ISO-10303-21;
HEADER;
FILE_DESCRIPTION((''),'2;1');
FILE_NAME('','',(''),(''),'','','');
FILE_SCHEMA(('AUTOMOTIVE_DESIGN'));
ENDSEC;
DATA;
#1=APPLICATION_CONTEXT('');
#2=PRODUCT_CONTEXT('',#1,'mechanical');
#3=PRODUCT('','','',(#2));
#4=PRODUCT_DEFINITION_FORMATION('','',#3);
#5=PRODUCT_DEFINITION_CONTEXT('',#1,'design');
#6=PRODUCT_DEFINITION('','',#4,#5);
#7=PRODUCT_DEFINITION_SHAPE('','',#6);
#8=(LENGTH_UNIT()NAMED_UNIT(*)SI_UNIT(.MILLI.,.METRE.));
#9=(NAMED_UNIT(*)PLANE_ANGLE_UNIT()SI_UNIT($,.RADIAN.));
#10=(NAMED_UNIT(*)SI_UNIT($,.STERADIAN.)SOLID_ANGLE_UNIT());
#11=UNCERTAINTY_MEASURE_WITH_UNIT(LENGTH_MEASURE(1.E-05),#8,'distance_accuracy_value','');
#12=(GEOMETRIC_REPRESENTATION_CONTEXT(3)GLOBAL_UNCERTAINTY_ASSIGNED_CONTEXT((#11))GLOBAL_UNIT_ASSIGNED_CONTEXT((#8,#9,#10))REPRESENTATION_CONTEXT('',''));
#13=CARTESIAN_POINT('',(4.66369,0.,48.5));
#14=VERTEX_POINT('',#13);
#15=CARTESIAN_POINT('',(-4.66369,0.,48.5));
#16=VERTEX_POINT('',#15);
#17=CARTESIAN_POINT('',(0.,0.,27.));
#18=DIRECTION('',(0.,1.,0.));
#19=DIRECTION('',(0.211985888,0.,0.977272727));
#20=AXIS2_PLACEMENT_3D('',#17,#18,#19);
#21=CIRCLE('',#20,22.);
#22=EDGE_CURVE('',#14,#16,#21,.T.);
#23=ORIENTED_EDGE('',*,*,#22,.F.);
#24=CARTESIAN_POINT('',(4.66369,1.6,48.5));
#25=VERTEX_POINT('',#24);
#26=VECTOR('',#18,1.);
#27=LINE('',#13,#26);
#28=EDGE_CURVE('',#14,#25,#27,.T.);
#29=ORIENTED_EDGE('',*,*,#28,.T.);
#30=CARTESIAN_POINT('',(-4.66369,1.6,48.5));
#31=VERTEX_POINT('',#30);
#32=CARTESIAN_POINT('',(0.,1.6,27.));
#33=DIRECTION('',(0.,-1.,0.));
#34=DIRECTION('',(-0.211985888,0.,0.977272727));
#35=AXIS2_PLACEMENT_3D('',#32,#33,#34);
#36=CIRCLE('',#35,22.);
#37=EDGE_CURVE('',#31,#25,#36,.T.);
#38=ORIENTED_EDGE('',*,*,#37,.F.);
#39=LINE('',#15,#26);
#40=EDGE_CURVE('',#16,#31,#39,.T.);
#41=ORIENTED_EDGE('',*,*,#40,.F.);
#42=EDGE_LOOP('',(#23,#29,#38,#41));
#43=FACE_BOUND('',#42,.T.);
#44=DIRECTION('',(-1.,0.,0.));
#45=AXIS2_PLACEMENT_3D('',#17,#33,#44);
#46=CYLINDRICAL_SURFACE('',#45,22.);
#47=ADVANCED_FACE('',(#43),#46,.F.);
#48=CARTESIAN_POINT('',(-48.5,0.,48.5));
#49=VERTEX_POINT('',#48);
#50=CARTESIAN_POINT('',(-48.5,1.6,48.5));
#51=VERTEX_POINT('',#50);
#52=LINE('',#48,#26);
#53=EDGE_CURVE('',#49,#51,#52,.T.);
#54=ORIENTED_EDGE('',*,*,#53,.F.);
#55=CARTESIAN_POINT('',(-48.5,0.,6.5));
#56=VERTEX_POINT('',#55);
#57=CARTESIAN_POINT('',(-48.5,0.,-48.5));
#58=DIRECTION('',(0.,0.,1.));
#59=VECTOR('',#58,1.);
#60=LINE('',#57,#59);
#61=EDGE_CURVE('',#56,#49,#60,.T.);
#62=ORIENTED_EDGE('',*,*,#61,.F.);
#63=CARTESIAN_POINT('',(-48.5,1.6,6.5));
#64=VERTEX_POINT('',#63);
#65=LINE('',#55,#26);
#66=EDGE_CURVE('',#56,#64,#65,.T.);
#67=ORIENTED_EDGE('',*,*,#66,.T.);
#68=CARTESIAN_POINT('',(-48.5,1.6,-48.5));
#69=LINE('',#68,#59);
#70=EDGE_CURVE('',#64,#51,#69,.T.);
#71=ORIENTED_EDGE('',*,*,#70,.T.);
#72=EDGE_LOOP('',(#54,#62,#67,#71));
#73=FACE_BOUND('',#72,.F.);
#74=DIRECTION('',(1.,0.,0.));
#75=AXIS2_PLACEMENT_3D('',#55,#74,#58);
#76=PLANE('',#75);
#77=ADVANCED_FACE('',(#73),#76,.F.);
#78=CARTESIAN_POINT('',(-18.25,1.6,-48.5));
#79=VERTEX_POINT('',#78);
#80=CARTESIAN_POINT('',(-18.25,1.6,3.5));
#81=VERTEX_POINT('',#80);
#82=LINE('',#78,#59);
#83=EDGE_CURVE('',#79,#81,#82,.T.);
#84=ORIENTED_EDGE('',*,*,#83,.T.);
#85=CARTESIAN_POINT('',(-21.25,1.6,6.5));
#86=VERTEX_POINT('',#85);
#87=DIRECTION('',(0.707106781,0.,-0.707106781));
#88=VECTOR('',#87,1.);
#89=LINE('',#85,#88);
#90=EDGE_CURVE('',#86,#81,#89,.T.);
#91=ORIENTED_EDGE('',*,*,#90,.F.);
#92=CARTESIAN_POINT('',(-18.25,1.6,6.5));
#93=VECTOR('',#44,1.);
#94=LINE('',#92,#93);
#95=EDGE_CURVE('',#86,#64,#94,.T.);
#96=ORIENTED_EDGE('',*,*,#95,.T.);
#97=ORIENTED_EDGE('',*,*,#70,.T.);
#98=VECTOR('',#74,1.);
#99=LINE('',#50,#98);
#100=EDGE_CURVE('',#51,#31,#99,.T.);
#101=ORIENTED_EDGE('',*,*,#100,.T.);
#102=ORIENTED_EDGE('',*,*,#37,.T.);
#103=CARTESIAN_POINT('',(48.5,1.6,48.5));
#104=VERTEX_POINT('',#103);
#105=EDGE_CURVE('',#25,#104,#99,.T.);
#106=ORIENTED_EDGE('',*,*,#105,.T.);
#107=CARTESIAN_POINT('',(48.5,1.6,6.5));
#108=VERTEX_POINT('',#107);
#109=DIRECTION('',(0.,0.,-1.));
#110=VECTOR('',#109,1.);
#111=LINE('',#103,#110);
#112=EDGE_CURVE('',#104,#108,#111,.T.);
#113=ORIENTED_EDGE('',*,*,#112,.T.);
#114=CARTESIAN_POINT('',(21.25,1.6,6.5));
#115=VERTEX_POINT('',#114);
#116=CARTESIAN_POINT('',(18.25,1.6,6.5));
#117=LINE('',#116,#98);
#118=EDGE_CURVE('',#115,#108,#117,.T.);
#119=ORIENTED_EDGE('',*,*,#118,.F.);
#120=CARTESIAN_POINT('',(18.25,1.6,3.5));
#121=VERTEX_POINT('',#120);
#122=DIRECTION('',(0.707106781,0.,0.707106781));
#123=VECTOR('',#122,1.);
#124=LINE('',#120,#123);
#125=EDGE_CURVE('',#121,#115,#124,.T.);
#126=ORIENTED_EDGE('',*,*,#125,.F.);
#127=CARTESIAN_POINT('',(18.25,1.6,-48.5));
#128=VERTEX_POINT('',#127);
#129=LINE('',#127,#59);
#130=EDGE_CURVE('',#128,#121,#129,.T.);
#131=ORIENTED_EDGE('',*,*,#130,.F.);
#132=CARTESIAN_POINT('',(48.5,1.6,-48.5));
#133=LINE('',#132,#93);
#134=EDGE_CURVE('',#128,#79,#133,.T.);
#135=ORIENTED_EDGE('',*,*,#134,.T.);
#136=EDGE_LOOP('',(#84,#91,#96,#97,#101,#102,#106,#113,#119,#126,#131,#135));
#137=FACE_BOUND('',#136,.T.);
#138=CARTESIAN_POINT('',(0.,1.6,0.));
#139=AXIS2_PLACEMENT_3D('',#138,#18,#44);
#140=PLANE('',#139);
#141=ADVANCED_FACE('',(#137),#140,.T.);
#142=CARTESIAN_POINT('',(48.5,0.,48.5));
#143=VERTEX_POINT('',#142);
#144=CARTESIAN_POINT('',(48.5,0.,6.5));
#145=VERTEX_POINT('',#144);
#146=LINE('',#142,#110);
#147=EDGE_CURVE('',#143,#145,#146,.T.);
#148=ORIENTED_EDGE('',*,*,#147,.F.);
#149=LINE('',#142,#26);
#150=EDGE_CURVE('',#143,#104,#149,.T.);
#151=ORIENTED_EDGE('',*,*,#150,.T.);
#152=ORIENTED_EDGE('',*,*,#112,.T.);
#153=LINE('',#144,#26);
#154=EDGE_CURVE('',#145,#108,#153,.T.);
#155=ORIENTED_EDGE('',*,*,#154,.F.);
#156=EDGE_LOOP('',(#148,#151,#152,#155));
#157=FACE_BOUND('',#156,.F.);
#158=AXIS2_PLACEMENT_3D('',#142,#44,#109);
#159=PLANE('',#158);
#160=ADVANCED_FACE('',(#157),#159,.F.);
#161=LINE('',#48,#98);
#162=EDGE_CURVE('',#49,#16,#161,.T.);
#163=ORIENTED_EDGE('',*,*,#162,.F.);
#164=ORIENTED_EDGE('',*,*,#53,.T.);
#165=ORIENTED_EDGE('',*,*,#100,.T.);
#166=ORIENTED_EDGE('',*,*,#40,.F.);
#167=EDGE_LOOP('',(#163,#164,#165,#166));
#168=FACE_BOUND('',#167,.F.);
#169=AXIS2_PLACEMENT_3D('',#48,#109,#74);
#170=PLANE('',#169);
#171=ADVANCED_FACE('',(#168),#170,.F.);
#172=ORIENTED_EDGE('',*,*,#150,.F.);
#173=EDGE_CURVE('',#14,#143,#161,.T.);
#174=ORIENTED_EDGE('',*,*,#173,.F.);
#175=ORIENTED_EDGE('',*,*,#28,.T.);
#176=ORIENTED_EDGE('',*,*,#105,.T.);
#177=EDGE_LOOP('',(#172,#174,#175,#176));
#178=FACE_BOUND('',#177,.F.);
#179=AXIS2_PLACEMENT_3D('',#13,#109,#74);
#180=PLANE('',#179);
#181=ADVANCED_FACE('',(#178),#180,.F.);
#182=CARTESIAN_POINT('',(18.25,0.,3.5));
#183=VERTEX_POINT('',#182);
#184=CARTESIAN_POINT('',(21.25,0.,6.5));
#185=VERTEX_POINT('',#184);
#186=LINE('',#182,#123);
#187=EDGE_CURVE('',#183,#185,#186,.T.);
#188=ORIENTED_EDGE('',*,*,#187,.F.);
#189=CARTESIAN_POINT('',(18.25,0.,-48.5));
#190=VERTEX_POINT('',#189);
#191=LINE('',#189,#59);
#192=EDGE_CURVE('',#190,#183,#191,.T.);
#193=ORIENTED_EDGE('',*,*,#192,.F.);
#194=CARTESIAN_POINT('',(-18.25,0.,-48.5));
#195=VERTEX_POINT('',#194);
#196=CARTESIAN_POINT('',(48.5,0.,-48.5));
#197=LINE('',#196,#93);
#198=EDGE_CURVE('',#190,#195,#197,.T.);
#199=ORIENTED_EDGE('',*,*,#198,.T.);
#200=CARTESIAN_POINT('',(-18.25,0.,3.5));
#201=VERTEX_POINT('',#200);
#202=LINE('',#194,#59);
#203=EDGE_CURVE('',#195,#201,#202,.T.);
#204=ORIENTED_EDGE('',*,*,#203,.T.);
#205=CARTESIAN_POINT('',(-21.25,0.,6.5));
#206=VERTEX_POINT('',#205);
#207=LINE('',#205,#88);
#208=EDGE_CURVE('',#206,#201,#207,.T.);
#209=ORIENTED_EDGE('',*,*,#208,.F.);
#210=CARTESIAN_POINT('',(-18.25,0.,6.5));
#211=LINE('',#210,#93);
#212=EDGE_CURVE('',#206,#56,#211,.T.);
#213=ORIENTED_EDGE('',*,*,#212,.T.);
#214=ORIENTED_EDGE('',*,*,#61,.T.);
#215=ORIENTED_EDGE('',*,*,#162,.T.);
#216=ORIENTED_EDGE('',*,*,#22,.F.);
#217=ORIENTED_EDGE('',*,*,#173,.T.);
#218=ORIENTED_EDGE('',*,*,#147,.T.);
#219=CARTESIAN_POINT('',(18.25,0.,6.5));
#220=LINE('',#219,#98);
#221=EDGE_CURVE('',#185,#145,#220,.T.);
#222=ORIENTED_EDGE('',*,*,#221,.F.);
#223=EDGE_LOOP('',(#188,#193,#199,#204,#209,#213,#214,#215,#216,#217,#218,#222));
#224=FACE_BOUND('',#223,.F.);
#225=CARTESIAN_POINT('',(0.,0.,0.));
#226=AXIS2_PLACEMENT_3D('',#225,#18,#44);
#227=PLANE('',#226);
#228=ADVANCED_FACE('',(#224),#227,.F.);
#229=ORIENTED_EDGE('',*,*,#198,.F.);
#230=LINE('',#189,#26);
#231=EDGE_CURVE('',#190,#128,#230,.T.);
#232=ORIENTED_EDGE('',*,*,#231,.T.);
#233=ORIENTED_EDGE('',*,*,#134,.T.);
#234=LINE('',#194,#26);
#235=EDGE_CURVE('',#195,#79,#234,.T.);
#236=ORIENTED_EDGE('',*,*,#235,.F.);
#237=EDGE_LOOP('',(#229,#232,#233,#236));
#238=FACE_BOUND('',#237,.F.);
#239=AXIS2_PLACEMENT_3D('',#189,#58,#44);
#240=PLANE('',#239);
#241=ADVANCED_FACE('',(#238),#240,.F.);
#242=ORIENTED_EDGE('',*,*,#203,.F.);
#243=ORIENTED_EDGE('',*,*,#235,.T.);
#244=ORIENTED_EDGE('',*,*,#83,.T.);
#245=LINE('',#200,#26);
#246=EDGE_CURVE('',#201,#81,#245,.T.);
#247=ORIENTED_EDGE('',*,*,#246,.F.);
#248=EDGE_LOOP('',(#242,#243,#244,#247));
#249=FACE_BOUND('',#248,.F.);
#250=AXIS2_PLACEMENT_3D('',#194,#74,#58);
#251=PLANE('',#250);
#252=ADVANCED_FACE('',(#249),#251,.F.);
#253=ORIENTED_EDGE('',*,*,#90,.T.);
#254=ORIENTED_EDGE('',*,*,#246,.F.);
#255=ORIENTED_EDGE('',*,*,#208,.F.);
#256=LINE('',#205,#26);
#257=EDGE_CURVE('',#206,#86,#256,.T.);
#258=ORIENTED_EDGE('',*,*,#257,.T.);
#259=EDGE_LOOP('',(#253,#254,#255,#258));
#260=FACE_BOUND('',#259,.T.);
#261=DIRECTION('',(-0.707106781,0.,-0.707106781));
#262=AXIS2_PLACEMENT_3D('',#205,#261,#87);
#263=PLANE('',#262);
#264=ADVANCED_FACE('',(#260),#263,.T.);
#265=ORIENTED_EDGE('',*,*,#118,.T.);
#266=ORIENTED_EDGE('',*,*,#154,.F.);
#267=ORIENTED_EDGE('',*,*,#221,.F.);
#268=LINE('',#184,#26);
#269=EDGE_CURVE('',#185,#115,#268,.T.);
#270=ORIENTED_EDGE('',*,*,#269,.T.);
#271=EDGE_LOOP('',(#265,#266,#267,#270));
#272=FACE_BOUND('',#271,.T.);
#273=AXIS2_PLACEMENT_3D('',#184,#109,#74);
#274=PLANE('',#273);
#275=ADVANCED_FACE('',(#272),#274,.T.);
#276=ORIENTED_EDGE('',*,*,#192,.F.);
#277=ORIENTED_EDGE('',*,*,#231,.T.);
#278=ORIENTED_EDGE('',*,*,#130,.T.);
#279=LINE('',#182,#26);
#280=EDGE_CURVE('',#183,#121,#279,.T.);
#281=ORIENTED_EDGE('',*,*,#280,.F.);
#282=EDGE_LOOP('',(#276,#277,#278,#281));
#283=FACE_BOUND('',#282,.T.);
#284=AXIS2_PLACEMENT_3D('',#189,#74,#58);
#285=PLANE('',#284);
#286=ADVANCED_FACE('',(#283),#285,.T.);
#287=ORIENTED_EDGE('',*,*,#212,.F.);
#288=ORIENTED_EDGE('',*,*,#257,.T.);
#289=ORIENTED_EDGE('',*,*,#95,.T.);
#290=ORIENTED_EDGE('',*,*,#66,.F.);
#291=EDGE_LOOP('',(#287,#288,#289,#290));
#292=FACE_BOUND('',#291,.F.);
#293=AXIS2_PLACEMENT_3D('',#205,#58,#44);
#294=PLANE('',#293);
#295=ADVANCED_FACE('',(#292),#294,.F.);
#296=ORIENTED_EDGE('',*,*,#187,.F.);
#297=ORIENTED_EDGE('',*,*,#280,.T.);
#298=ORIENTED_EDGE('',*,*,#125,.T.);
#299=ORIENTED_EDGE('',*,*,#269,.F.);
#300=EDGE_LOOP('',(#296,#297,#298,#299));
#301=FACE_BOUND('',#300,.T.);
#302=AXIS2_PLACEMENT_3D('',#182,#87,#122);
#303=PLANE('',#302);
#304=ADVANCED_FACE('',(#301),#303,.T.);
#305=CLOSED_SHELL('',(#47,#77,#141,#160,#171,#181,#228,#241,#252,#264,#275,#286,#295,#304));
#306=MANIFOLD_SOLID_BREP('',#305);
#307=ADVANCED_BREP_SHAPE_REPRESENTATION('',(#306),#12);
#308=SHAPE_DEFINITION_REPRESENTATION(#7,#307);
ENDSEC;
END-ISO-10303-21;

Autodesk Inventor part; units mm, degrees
ref_plane "YZ Plane" through (0, 0, 0) normal (1, 0, 0) x (0, 1, 0)
ref_plane "XZ Plane" through (0, 0, 0) normal (0, 1, 0) x (-1, 0, 0)
ref_plane "XY Plane" through (0, 0, 0) normal (0, 0, 1) x (1, 0, 0)
sketch "Sketch2" plane through (0, 0, 0) normal (0, 1, 0) x (-1, 0, 0)
  line L0 (48.5, 48.5) -> (-48.5, 48.5)
  line L1 (-48.5, 48.5) -> (-48.5, -48.5)
  line L2 (-48.5, -48.5) -> (48.5, -48.5)
  line L3 (48.5, -48.5) -> (48.5, 48.5)
  circle A0 centre (0, 27) radius 22
  line L4 (48.5, -48.5) -> (18.25, -48.5)
  line L5 (18.25, -48.5) -> (18.25, 6.5)
  line L6 (18.25, 6.5) -> (48.5, 6.5)
  line L7 (48.5, 6.5) -> (48.5, -48.5)
  line L8 (-48.5, -48.5) -> (-18.25, -48.5)
  line L9 (-18.25, -48.5) -> (-18.25, 6.5)
  line L10 (-18.25, 6.5) -> (-48.5, 6.5)
  line L11 (-48.5, 6.5) -> (-48.5, -48.5)
  line L12 (21.25, 6.5) -> (18.25, 3.5)
  line L13 (-18.25, 3.5) -> (-21.25, 6.5)
  point P0 (0, 0)
  point P1 (-48.5, 6.5)
  point P2 (18.25, -48.5)
  point P3 (48.5, 6.5)
  dimension "d1" = 44
  dimension "d2" = 97
  dimension "d3" = 97
  dimension "d4" = 48.5
  dimension "d5" = 48.5
  dimension "d8" = 30.25
  dimension "d9" = 30.25
  dimension "d10" = 55
  dimension "d11" = 55
  dimension "d14" = 0
  dimension "d15" = 45
  dimension "d16" = 3
  dimension "d17" = 3
  dimension "d18" = 21.5
  dimension "d19" = 27
extrude "Extrusion1" add sketch "Sketch2" along normal blind 1.6 contours L3 L6 L5 L2 L9 L10 L1 L0 A0 | L12 L5 L6 | L10 L9 L13
properties part number "pcb" material "UHMW, Black"
